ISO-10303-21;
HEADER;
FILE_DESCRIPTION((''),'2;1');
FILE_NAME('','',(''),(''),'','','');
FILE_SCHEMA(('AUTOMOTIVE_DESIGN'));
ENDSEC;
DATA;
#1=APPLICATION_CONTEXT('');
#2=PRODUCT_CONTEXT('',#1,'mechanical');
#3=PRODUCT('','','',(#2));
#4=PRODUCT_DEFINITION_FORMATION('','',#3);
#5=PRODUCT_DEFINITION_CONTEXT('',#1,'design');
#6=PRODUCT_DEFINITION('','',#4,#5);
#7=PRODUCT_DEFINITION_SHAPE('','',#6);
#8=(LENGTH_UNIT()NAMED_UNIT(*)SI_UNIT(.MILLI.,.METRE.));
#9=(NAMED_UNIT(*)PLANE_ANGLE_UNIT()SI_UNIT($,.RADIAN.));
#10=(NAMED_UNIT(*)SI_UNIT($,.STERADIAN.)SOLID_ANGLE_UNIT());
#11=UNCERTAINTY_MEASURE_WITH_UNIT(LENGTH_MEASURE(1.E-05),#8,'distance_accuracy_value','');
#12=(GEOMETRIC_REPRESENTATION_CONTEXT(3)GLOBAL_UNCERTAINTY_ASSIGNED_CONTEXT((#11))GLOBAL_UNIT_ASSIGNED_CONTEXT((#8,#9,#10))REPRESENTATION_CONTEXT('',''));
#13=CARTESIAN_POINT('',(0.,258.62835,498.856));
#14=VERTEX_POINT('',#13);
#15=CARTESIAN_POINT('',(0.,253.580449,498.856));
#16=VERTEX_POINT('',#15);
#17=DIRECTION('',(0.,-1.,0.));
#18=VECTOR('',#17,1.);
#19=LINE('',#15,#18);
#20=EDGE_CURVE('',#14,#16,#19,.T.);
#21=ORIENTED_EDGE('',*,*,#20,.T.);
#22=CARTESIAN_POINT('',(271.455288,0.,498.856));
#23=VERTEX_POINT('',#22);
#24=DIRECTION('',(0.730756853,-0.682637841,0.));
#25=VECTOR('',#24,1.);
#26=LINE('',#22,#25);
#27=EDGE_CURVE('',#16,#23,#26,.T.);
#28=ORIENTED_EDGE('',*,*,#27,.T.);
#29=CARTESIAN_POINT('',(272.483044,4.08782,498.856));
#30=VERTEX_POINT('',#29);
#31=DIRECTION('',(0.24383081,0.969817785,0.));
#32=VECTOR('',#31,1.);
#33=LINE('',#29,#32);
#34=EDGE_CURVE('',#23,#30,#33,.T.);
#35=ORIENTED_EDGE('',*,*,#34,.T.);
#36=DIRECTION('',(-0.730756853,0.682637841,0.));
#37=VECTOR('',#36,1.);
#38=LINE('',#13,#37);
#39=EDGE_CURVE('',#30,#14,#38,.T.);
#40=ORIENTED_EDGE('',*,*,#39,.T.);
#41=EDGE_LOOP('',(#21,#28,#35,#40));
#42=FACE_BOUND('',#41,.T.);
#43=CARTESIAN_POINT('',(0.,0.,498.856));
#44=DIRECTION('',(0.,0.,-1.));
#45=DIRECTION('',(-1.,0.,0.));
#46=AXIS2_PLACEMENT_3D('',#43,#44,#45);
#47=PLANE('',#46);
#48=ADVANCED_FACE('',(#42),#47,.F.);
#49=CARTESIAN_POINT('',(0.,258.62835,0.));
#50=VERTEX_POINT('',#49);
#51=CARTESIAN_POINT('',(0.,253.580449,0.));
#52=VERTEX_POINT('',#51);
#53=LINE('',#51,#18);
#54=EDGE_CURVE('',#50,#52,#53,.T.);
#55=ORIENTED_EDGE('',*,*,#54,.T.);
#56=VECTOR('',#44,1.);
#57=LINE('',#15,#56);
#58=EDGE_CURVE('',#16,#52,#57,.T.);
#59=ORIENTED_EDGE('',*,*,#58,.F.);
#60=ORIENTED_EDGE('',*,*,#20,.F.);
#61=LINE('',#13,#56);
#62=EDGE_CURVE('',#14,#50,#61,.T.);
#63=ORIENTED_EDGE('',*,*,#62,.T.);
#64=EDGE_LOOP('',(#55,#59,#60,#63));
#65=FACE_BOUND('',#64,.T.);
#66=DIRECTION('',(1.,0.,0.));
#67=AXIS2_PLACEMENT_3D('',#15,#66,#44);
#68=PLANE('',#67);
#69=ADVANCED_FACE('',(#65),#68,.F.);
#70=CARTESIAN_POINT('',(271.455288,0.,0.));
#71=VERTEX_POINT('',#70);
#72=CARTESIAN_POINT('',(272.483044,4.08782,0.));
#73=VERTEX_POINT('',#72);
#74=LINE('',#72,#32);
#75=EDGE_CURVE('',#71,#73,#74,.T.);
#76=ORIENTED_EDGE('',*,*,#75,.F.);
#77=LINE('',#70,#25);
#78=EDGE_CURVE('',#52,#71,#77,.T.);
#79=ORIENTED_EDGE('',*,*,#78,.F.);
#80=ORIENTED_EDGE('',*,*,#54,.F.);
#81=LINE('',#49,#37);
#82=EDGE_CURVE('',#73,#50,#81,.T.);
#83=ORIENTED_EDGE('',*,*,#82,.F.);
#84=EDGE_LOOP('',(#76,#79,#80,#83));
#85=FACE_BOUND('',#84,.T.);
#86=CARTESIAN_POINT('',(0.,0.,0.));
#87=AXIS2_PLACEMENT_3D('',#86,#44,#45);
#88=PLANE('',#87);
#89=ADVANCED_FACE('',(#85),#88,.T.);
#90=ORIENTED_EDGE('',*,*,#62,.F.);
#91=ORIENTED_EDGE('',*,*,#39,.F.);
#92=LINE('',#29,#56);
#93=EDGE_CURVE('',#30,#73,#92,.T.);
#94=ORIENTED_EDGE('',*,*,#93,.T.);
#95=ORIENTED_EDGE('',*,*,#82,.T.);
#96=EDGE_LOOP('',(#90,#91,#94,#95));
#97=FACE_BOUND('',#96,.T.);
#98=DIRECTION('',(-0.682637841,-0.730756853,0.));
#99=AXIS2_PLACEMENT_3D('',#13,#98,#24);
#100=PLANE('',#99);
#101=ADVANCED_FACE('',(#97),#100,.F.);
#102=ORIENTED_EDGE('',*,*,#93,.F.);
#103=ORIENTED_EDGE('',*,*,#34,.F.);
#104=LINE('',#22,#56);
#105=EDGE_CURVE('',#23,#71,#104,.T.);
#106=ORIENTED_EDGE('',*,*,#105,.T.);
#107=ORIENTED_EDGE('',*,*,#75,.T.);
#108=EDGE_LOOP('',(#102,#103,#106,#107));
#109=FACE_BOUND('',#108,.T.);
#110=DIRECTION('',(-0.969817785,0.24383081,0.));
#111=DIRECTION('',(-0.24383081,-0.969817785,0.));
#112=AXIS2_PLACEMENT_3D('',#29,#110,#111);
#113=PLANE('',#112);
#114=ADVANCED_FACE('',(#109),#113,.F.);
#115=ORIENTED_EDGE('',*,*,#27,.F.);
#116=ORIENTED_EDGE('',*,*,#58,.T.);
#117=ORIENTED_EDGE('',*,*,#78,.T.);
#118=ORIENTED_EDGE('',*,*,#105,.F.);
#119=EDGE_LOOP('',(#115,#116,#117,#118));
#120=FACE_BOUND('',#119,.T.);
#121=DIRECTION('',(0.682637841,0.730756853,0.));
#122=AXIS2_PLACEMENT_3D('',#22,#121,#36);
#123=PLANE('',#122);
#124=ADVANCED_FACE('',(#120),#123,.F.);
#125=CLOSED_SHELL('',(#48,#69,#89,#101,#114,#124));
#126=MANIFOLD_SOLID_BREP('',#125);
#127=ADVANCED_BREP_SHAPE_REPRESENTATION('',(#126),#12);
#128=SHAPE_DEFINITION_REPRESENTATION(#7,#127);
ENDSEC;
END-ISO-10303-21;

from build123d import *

# Parameters (mm, degrees)
BOSS_EXTRUDE1_DEPTH = 498.856


with BuildPart() as part:
    # Sketch1 → Boss-Extrude1 (new body)
    with BuildSketch(Plane.XY):
        Polygon((271.455287553, 0), (0, 253.580449429), (0, 258.628350399), (272.483044068, 4.087820356), align=None)
    extrude(amount=BOSS_EXTRUDE1_DEPTH)


solid = part.part
